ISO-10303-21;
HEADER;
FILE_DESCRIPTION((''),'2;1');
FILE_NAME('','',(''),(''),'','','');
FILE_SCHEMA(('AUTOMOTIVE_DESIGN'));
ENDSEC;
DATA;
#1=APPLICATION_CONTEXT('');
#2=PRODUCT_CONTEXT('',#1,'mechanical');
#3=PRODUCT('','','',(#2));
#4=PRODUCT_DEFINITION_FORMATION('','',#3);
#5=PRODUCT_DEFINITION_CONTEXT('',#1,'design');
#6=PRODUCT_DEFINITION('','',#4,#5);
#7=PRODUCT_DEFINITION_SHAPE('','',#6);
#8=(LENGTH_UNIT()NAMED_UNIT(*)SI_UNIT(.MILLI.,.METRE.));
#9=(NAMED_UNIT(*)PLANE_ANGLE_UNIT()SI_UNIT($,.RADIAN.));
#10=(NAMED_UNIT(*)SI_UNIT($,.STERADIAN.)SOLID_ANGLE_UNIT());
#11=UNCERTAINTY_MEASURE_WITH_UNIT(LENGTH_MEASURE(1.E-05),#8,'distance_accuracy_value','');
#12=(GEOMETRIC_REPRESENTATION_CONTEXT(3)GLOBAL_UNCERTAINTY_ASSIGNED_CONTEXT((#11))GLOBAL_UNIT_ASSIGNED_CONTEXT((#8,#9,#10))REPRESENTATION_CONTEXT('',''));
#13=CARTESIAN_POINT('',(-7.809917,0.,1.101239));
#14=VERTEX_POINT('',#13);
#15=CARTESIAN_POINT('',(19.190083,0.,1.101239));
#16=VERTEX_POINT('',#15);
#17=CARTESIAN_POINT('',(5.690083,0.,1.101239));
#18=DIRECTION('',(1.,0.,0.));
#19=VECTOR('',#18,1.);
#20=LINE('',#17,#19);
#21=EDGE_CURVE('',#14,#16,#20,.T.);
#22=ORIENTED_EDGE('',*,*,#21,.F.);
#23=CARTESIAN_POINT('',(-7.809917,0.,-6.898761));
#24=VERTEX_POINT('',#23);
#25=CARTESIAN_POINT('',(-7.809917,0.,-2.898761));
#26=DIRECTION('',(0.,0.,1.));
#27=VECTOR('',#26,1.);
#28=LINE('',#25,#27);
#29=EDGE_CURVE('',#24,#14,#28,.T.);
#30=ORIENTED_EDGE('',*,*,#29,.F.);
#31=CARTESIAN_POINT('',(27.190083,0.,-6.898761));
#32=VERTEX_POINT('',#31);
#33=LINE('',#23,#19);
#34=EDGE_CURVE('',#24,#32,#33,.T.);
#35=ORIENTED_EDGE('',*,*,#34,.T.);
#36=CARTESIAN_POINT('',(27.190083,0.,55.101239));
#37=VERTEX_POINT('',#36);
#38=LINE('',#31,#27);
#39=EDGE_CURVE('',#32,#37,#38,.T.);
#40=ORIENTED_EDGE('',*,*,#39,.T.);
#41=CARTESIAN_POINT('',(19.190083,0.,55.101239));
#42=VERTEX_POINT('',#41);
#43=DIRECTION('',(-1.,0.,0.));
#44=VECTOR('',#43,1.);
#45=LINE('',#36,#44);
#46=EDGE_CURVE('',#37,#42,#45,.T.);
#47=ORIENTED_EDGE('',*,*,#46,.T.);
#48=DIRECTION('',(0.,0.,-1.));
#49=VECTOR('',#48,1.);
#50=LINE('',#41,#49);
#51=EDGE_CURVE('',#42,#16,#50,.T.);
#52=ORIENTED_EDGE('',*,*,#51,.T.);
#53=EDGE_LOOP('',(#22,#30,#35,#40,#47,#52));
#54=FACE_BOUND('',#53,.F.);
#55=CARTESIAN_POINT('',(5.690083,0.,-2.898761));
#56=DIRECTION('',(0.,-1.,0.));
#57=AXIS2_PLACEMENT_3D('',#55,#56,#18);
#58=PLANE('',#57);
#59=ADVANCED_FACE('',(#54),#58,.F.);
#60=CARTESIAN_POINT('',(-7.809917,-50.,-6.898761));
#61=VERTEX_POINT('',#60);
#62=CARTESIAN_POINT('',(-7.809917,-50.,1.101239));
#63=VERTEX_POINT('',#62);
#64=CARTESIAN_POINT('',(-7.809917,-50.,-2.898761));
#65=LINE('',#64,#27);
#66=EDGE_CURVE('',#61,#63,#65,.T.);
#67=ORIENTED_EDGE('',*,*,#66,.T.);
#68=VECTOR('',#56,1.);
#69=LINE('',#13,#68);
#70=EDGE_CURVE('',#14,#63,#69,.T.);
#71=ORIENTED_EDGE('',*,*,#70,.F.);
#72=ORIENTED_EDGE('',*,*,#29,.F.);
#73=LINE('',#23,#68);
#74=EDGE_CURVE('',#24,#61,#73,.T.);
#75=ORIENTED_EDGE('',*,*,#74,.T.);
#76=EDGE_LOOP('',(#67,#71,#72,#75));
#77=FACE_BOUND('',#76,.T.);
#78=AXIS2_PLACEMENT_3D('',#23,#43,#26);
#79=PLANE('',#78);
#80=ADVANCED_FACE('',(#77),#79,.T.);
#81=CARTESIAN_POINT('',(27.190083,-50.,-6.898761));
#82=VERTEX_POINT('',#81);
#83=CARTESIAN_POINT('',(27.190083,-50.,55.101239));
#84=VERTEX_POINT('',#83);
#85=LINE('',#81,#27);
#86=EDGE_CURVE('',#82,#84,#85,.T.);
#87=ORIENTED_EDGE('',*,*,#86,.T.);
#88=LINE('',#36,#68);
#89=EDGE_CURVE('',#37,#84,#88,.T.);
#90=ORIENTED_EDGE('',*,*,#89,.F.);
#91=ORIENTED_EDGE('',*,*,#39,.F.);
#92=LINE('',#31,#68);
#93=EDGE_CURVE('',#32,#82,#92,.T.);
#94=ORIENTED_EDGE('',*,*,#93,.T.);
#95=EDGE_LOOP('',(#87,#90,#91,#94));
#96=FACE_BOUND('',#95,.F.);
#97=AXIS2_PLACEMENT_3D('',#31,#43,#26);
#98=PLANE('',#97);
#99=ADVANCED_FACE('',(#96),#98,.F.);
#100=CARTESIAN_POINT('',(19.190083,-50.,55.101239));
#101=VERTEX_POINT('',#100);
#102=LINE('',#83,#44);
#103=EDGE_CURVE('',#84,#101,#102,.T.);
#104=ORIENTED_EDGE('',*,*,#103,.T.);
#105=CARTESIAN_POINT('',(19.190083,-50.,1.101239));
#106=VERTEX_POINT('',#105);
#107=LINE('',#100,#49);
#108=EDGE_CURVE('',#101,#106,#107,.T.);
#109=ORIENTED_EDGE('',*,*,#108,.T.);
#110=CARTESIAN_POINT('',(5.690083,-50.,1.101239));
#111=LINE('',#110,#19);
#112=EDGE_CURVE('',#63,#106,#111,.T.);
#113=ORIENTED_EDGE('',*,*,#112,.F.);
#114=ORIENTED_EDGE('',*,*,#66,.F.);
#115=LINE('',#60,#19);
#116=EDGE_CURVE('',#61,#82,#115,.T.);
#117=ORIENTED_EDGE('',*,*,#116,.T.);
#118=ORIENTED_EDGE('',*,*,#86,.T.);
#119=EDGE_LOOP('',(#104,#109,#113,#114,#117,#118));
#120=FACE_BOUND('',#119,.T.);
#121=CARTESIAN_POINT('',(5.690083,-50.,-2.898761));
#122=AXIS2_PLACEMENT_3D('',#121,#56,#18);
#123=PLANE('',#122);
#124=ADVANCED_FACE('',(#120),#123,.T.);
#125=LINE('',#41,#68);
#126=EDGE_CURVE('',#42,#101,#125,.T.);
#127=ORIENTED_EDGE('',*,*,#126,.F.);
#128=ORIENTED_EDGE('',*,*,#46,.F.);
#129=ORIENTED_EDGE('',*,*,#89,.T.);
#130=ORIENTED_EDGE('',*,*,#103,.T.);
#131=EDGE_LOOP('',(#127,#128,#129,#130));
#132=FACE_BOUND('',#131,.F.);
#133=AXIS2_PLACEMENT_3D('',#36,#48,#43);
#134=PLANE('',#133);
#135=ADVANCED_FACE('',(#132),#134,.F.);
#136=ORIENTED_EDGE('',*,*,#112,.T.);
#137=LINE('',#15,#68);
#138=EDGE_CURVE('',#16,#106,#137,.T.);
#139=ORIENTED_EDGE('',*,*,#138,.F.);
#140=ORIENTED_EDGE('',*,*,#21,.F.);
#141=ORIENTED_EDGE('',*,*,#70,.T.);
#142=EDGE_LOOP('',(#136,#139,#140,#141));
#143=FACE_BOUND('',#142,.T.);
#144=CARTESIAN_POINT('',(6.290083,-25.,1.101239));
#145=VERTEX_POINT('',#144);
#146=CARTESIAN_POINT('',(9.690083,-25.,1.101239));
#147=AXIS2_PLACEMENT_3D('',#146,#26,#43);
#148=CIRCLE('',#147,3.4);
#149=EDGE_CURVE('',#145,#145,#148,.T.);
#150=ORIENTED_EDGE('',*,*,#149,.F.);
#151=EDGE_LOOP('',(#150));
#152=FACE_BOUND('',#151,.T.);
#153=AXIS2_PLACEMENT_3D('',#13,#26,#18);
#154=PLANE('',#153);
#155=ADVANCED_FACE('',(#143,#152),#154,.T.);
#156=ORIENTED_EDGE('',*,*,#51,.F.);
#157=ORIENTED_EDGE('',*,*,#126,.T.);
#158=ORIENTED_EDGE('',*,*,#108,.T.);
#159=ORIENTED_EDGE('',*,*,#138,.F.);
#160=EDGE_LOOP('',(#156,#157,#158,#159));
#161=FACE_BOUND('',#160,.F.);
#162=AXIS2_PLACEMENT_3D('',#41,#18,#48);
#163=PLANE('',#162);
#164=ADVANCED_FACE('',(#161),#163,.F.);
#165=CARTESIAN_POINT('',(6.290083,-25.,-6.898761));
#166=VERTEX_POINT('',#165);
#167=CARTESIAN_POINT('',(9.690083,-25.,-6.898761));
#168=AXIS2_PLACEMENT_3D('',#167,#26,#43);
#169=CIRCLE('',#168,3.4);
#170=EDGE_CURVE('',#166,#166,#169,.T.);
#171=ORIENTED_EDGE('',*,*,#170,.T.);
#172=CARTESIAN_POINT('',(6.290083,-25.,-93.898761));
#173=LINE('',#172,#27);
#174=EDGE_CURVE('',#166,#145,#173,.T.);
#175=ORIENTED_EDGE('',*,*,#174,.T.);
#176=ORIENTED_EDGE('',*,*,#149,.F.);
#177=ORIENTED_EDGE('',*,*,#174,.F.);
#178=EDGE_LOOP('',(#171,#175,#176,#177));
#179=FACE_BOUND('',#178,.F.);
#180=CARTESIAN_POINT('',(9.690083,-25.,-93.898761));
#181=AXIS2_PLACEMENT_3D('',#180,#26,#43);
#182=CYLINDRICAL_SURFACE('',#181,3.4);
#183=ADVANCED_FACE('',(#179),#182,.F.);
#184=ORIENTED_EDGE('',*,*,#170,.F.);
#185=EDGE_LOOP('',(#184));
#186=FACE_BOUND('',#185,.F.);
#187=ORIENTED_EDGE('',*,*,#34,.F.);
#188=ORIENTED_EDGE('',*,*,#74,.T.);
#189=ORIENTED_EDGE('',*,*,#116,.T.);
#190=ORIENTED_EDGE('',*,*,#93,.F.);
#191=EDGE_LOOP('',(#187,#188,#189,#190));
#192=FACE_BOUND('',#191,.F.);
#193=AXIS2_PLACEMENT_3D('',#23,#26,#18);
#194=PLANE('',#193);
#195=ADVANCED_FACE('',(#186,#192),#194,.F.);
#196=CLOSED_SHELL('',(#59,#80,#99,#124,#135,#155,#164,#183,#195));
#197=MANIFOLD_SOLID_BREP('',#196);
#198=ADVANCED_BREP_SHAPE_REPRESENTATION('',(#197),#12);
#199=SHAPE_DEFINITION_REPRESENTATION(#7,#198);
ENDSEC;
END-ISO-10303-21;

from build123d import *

# Parameters (mm, degrees)
F0_W     = 27
F0_H     = 8
F1_DEPTH = 50
F3_D     = 6.8


with BuildPart() as f1:
    # F0 (on Front) → F1 (new body)
    with BuildSketch(Plane.XZ):
        with Locations((5.6900825575, -2.8987607956)):
            Rectangle(F0_W, F0_H)
        Polygon((19.1900825575, 55.1012392044), (19.1900825575, 1.1012392044), (19.1900825575, -6.8987607956), (27.1900825575, -6.8987607956), (27.1900825575, 55.1012392044), align=None)
    extrude(amount=F1_DEPTH)

    # F3 (through all)
    with Locations(Plane(origin=(0, 0, -6.8987607956), x_dir=(1, 0, 0), z_dir=(0, 0, -1))):
        with Locations((9.6900825575, 25)):
            Hole(F3_D / 2)


solid = f1.part
